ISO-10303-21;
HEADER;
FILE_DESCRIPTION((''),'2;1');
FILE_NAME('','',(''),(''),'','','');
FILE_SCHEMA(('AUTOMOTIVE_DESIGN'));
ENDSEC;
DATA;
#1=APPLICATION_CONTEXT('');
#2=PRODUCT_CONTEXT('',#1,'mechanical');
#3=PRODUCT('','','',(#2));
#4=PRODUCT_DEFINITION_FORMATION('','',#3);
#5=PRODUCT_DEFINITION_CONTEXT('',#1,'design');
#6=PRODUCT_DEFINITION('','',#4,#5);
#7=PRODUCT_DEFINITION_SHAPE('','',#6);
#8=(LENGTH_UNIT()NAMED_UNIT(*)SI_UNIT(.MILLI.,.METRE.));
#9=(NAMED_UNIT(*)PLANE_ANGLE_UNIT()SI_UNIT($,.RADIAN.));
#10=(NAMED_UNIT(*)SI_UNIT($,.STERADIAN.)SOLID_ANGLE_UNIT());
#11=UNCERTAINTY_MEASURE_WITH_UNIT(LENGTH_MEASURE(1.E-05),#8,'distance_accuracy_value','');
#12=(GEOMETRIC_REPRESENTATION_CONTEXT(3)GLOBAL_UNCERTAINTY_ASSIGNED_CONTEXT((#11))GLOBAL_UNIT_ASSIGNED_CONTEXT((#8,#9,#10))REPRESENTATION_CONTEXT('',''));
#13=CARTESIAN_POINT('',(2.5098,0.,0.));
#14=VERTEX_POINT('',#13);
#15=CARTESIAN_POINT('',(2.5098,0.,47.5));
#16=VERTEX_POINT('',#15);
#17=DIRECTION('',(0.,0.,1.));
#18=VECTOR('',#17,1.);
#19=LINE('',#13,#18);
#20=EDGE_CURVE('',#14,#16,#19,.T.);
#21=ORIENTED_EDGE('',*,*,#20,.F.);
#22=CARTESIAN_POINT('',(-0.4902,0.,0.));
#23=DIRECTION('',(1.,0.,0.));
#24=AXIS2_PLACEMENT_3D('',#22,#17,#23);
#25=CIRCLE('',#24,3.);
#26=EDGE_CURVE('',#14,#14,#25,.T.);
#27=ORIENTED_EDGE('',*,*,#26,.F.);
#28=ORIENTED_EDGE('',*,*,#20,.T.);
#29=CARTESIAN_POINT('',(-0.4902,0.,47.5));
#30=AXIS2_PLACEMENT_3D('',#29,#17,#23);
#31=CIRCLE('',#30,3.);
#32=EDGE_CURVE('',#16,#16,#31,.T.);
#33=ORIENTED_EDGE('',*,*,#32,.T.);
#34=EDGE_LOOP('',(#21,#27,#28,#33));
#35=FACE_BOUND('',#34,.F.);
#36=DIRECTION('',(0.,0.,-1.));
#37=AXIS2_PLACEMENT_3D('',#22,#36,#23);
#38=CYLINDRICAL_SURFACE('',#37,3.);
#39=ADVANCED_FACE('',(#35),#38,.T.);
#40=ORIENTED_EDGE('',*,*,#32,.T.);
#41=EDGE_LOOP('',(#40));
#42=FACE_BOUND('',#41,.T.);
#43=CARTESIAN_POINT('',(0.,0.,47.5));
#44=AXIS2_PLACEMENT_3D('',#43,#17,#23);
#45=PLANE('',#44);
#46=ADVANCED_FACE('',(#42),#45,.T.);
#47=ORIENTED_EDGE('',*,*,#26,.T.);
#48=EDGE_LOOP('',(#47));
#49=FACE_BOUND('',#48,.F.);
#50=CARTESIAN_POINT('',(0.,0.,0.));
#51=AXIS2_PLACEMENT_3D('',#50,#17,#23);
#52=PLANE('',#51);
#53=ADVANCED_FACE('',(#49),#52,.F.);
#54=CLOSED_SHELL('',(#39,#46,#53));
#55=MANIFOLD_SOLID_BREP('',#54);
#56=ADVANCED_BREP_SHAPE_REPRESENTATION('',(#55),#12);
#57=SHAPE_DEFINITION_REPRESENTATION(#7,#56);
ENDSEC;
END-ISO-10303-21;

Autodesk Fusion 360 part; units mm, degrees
sketch "Sketch1" plane through (0, 0, 0) normal (0, 0, 1) x (1, 0, 0)
  circle A0 centre (-0.4902, 0) radius 3
  dimension "d1" = 6
extrude "Extrude1" add sketch "Sketch1" along normal blind 47.5
